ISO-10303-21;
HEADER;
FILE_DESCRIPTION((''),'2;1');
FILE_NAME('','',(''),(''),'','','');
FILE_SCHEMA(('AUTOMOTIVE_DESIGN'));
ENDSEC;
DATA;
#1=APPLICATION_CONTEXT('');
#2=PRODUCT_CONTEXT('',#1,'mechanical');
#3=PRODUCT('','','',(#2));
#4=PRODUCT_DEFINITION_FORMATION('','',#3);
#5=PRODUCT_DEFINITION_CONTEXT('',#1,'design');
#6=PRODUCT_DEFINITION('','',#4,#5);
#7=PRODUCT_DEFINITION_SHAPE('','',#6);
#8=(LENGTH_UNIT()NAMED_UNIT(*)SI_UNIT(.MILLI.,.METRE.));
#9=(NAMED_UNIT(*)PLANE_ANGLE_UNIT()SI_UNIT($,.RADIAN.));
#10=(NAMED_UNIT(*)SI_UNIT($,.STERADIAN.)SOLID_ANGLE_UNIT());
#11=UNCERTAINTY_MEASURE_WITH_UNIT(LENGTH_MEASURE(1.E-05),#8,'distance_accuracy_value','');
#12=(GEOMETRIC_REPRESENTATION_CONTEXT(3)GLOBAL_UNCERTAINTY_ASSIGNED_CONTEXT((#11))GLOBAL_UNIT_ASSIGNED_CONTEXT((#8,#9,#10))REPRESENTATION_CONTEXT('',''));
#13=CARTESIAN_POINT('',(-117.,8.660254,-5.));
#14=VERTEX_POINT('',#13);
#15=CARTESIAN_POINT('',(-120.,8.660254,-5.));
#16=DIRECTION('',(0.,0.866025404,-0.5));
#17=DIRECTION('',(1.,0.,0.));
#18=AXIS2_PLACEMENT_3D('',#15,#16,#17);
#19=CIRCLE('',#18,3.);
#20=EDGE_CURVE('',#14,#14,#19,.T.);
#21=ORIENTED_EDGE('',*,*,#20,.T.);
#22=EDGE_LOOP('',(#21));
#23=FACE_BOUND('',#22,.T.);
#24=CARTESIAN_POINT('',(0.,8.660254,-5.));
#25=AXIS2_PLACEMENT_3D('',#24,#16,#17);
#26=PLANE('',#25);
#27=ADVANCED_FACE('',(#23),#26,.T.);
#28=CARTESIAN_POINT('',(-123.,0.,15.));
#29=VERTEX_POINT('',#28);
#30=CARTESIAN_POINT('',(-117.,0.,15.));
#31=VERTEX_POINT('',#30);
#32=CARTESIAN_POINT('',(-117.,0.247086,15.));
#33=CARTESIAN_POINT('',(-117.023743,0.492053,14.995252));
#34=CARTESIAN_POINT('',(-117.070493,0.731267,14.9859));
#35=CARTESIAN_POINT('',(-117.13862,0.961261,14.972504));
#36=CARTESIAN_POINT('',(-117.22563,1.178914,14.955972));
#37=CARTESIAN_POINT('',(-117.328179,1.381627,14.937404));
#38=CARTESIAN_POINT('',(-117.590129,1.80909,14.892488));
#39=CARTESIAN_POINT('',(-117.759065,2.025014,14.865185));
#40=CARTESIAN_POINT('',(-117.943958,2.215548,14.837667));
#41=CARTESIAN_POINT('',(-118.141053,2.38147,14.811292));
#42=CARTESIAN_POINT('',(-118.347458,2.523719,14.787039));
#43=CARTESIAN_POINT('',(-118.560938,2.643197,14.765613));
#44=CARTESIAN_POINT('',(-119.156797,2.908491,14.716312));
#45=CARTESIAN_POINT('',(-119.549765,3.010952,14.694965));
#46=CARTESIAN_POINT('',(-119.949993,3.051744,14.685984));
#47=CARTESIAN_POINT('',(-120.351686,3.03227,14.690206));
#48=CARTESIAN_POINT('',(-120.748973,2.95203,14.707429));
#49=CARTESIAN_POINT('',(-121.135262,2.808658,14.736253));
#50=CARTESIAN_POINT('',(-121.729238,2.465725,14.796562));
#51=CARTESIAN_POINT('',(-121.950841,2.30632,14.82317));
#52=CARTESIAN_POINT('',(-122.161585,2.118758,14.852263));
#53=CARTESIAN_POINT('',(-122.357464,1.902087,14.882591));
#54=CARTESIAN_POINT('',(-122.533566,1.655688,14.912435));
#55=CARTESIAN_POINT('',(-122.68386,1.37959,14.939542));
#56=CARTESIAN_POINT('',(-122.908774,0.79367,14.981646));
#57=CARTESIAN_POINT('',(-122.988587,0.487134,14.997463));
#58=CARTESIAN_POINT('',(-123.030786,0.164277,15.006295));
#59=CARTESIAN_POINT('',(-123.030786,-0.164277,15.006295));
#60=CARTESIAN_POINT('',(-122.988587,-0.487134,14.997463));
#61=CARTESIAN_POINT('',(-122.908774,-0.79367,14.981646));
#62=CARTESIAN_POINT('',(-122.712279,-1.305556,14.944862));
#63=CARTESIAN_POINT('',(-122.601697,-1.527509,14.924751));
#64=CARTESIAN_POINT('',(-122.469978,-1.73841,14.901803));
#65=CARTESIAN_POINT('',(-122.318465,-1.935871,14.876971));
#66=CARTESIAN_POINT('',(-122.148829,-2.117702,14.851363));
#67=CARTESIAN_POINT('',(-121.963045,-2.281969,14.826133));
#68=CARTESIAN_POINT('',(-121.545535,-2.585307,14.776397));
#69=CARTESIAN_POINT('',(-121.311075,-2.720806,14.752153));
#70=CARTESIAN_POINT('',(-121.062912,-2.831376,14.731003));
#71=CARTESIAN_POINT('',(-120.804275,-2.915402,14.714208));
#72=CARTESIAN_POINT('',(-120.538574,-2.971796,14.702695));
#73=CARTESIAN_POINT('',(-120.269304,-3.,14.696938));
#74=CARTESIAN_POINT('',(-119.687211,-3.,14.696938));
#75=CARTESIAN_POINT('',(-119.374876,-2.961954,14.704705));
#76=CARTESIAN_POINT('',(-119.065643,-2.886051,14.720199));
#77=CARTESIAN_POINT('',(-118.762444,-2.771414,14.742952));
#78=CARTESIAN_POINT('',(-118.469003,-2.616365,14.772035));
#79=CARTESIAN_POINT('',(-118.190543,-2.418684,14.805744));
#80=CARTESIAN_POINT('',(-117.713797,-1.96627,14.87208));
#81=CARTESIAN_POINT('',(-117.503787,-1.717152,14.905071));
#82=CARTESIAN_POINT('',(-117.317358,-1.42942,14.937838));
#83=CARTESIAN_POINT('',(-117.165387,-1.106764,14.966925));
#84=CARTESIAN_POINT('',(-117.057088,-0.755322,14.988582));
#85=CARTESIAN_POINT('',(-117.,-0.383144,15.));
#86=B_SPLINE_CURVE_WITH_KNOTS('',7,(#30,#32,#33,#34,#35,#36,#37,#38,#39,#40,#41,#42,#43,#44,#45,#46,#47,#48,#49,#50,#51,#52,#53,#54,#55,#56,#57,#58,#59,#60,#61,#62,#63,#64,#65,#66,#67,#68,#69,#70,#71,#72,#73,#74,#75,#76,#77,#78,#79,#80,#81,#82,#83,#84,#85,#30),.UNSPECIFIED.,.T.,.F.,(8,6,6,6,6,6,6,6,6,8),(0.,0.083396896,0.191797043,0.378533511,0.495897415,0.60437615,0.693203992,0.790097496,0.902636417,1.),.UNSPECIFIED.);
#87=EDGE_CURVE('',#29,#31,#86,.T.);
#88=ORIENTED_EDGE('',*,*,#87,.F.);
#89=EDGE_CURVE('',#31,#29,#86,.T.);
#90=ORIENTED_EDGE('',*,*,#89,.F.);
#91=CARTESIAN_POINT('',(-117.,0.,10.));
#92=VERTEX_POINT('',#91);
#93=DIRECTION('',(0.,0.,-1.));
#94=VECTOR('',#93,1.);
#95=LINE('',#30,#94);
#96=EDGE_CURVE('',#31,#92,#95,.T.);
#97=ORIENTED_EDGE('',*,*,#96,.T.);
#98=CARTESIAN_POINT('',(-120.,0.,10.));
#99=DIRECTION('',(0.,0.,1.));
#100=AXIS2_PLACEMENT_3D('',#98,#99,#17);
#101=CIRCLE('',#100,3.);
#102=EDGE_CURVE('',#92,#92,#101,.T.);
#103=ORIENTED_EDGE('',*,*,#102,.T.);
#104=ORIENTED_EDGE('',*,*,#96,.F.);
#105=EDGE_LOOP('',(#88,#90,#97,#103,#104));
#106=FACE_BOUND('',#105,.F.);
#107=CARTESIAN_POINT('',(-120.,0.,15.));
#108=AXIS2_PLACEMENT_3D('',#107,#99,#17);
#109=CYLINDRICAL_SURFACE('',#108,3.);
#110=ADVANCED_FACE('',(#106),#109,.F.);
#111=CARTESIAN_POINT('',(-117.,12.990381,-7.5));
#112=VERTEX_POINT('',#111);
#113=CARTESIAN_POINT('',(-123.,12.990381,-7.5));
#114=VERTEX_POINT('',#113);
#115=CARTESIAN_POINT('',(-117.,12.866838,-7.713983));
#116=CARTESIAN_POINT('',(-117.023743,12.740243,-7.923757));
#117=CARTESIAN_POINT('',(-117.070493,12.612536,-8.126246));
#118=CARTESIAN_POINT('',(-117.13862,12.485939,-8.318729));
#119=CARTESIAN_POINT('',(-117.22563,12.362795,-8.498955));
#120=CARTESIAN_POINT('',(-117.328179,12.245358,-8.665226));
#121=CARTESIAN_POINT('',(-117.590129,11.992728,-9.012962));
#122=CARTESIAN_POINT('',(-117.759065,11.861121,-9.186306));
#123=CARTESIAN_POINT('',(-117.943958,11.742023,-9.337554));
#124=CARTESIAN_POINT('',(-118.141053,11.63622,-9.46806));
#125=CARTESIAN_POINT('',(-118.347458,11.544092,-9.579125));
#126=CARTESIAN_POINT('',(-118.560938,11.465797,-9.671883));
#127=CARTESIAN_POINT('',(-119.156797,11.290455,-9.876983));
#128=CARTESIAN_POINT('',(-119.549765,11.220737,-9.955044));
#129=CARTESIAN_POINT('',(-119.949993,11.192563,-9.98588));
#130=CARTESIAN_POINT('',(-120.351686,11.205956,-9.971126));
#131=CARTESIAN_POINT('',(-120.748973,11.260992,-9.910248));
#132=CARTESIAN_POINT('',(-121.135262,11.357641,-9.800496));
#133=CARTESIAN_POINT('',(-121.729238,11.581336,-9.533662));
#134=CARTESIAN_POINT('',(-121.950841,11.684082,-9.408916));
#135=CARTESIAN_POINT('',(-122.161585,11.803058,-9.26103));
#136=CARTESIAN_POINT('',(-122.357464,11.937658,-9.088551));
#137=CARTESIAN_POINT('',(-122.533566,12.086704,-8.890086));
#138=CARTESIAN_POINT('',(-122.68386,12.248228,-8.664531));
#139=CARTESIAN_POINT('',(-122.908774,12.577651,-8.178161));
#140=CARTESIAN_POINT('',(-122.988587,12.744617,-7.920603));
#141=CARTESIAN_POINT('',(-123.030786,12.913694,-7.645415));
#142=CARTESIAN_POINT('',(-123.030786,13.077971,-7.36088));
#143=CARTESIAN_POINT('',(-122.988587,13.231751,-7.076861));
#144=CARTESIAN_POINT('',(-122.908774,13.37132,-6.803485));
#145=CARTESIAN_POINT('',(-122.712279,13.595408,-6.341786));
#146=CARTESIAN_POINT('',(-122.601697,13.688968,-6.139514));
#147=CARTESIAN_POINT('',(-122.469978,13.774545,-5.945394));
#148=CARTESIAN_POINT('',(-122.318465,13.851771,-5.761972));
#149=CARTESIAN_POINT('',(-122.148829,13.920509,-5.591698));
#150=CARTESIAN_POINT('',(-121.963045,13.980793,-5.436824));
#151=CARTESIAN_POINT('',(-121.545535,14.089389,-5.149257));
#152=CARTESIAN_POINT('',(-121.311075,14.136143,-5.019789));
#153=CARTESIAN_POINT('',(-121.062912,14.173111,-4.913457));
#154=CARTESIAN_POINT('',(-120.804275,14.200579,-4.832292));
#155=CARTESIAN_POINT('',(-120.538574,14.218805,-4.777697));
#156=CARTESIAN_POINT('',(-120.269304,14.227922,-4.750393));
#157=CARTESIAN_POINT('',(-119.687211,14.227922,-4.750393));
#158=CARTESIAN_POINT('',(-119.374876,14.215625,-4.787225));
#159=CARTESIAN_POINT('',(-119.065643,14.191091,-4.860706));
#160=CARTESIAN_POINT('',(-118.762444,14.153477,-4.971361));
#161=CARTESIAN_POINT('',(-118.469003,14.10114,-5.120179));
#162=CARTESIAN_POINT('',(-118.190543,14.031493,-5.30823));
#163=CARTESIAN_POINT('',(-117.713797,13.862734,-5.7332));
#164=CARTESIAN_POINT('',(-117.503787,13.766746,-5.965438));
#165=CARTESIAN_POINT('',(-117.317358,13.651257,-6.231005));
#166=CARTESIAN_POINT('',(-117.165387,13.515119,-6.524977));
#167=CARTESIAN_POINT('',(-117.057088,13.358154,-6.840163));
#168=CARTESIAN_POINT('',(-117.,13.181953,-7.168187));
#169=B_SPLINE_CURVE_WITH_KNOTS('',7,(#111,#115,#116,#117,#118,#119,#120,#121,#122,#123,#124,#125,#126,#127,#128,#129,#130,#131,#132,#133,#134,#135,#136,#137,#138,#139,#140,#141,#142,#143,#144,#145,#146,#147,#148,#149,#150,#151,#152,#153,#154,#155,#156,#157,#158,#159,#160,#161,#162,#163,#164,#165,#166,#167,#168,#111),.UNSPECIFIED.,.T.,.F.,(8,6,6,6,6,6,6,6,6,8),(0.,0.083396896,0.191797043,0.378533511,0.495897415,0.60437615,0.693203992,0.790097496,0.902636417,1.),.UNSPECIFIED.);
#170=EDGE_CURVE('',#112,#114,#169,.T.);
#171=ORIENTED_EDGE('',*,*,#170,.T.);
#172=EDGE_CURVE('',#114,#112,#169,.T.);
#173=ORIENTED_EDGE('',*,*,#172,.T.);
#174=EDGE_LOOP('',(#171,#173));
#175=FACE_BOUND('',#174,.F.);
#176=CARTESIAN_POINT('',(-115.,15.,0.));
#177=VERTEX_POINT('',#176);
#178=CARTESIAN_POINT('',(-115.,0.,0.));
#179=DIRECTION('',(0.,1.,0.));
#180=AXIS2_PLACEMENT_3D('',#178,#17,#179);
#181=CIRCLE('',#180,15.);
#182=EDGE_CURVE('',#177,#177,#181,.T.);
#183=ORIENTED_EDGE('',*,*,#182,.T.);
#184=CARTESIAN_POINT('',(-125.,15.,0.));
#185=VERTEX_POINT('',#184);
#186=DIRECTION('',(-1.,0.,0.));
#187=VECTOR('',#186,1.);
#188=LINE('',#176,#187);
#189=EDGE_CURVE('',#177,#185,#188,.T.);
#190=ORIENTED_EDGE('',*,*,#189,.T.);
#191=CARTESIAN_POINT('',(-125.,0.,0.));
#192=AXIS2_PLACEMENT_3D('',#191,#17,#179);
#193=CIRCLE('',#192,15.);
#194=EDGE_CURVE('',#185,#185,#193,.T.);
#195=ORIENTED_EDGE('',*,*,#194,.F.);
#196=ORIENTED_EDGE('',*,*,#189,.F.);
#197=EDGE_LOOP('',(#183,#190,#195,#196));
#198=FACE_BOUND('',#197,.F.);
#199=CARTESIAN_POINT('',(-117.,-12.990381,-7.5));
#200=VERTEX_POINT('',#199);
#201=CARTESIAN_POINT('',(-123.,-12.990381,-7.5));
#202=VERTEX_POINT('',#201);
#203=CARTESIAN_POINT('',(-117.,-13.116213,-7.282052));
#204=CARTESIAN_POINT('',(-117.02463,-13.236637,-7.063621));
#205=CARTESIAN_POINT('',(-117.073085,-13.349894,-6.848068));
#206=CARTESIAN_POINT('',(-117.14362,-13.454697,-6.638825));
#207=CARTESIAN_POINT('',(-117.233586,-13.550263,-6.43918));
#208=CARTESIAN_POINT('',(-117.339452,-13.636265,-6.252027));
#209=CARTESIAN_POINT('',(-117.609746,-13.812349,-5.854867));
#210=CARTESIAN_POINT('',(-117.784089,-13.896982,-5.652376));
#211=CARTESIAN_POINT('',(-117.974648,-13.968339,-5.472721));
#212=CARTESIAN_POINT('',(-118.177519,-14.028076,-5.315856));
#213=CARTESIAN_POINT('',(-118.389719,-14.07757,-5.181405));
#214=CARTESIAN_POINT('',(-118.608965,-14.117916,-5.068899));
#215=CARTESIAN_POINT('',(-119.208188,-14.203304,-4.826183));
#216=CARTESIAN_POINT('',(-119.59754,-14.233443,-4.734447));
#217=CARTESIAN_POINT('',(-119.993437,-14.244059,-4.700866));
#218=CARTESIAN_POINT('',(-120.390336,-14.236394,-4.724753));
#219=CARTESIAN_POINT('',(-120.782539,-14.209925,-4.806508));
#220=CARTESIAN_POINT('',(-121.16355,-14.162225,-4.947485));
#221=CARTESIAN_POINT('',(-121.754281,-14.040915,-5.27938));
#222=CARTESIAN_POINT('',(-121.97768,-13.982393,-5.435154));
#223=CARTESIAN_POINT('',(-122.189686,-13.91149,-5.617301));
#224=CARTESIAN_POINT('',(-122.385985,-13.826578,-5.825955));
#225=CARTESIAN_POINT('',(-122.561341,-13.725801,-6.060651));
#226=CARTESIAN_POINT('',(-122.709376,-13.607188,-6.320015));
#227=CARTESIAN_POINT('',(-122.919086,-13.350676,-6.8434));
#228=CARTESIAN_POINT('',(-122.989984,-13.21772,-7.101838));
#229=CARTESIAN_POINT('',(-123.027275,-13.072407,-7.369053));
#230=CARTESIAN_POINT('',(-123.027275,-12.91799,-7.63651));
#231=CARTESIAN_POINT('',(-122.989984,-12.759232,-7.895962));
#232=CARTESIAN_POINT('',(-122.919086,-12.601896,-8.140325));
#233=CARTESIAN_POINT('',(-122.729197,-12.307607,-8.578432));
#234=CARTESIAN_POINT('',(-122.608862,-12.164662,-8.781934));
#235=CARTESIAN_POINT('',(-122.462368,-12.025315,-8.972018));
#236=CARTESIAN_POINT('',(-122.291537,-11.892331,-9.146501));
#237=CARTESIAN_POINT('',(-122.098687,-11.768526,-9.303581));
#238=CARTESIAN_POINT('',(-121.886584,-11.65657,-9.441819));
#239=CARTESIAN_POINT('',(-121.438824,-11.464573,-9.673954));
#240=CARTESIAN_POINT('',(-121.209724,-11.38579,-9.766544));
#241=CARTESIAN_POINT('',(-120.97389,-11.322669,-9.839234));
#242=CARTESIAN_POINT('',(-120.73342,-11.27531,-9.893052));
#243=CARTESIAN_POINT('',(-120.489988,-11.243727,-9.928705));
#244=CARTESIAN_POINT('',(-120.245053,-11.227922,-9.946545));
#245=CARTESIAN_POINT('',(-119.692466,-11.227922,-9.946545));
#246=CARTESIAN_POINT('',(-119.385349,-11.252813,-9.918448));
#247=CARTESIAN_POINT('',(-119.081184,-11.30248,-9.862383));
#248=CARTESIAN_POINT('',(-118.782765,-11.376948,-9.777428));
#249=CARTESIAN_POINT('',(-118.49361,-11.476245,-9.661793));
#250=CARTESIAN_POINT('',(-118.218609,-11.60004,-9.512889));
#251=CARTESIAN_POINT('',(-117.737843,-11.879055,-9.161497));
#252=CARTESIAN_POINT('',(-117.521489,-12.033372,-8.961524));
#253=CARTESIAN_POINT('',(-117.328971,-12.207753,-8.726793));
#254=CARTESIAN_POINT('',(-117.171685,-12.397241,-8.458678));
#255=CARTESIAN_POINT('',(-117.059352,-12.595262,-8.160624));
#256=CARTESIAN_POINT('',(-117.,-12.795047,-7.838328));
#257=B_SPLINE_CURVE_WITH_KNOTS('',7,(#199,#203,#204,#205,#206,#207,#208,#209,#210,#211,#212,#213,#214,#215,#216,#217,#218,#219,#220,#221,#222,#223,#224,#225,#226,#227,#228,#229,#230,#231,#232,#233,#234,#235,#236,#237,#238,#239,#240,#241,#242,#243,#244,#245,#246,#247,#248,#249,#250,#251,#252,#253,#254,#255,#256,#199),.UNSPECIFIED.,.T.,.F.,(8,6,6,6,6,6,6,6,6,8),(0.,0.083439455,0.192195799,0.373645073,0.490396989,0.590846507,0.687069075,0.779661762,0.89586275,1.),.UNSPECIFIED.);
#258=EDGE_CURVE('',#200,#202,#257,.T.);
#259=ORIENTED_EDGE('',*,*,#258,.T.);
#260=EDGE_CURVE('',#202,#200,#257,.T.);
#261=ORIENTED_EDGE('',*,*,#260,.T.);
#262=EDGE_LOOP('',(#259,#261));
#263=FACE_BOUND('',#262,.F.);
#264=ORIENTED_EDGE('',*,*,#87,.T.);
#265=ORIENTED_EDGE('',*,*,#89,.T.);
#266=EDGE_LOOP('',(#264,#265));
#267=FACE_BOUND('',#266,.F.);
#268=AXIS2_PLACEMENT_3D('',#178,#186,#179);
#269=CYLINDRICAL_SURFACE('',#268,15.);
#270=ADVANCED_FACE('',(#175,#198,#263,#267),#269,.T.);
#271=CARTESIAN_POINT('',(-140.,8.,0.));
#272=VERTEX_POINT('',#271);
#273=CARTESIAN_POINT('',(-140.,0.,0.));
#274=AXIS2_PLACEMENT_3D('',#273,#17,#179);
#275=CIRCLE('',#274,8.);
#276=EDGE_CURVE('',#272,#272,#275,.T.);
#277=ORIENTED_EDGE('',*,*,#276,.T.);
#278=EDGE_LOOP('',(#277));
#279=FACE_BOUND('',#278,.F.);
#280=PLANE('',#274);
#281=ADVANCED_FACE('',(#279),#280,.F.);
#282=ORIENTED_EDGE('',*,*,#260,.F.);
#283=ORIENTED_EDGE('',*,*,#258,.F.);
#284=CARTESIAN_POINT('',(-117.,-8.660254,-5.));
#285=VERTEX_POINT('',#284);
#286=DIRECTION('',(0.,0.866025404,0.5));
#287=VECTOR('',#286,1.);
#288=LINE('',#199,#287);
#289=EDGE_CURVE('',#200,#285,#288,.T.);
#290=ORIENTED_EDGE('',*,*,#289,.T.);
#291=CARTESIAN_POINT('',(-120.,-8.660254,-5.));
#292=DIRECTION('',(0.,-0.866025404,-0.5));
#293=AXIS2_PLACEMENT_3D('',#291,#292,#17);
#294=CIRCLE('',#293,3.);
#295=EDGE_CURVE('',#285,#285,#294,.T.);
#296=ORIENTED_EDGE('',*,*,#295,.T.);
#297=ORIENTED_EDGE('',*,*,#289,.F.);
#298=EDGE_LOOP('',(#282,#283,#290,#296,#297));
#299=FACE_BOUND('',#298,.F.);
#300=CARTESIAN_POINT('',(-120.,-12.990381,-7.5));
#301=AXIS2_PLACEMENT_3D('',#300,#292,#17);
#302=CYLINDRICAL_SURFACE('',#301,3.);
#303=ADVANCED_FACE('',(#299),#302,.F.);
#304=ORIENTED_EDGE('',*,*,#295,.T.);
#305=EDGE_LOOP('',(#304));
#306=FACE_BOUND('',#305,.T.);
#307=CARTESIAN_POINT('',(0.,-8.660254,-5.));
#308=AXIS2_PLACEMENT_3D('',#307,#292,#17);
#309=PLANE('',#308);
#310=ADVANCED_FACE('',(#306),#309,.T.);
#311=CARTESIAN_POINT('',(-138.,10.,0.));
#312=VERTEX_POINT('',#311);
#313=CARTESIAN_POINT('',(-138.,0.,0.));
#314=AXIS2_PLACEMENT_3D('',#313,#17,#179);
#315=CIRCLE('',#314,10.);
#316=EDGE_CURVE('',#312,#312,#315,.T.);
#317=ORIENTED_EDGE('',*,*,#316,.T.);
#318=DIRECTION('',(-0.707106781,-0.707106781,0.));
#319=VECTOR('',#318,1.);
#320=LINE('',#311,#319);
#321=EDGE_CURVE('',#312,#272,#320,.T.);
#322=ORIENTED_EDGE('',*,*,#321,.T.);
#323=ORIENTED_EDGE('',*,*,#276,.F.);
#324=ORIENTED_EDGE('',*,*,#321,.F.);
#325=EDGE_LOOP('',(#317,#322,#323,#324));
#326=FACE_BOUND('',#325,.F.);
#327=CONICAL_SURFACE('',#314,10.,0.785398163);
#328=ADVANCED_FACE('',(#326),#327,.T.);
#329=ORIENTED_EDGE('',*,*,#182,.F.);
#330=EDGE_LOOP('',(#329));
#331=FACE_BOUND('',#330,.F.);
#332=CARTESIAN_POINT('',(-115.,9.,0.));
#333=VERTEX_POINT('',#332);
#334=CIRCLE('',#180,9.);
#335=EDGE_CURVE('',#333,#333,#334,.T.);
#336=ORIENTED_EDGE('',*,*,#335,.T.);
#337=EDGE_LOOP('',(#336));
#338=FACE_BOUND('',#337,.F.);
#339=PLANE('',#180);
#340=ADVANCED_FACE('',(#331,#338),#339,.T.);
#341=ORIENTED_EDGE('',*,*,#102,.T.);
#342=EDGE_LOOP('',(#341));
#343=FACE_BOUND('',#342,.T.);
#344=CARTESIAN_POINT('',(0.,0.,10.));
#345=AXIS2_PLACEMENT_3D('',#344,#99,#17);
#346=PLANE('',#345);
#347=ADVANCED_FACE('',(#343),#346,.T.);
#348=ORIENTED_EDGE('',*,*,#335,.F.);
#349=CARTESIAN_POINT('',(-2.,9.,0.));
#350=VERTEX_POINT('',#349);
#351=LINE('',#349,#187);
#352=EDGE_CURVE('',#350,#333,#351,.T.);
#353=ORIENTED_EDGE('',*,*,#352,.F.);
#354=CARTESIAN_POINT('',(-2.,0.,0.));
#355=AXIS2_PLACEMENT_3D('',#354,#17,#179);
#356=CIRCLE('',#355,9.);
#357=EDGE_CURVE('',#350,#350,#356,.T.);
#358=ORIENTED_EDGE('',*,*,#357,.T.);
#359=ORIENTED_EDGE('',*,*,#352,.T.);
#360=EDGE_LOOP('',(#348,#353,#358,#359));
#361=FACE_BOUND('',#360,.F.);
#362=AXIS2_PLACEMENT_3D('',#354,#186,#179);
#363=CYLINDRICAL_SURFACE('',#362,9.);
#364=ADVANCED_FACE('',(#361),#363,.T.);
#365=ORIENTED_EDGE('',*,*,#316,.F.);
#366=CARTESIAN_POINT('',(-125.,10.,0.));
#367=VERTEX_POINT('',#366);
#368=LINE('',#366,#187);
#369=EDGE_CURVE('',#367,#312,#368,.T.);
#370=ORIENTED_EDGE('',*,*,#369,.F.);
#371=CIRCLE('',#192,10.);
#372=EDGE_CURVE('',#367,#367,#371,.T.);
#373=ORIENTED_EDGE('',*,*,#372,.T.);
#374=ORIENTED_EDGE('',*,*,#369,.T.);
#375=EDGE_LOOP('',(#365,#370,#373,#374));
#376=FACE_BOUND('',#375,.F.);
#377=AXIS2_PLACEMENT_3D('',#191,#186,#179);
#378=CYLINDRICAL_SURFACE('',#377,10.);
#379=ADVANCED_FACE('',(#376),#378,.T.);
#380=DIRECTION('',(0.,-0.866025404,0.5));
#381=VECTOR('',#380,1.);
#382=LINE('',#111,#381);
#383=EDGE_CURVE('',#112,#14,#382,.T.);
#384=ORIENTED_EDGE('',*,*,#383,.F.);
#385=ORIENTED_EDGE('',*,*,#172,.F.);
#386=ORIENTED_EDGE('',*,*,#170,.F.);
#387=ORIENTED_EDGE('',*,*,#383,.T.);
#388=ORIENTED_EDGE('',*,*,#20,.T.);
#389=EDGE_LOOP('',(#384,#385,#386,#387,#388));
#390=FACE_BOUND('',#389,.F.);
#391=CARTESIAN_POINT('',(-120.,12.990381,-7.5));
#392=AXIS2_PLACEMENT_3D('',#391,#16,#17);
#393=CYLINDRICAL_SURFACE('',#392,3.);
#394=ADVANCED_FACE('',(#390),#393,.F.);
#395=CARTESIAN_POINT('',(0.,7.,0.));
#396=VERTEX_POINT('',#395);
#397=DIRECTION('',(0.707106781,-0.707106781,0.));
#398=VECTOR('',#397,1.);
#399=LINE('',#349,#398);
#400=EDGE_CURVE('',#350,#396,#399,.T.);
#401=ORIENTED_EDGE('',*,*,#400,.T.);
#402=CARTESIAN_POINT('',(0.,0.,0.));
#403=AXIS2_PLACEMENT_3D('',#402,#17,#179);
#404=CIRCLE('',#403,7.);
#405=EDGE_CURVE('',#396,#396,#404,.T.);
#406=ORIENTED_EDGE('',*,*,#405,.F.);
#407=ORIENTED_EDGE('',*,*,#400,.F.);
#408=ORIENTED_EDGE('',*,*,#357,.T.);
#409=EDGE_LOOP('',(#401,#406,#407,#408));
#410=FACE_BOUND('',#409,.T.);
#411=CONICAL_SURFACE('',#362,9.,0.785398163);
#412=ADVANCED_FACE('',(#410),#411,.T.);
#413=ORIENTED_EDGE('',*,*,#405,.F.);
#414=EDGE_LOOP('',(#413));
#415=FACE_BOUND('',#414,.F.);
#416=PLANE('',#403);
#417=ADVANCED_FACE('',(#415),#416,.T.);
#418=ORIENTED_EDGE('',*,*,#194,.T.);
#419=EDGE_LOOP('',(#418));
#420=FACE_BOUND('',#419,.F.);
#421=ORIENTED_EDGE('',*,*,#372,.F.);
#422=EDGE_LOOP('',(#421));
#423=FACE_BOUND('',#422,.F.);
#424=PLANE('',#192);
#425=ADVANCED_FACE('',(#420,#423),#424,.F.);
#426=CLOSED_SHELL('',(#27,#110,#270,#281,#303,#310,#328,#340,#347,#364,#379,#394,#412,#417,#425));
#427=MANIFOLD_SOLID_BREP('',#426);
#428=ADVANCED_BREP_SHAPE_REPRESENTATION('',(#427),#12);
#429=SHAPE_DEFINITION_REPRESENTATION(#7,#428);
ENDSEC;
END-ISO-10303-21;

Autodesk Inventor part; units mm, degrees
ref_plane "YZ Plane" through (0, 0, 0) normal (1, 0, 0) x (0, 1, 0)
ref_plane "XZ Plane" through (0, 0, 0) normal (0, 1, 0) x (-1, 0, 0)
sketch "Sketch1" plane through (0, 0, 0) normal (0, 0, 1) x (1, 0, 0)
  line L0 (0, 0) -> (-140, 0)
  line L1 (0, 0) -> (0, 7)
  line L2 (-2, 9) -> (-115, 9)
  line L3 (-115, 9) -> (-115, 15)
  line L4 (-115, 15) -> (-125, 15)
  line L5 (-125, 15) -> (-125, 10)
  line L6 (-125, 10) -> (-138, 10)
  line L7 (-140, 8) -> (-140, 0)
  line L8 (-138, 10) -> (-140, 8)
  line L9 (-2, 9) -> (0, 7)
  line L10 (-267.7899, 0) -> (-197.3543, 0) construction
  point P0 (0, 9)
  point P1 (-140, 10)
  point P2 (-120, 15)
  dimension "d1" = 140
  dimension "d2" = 15
  dimension "d3" = 10
  dimension "d4" = 15
  dimension "d5" = 9
  dimension "d6" = 10
  dimension "d7" = 2
  dimension "d8" = 2
  dimension "d9" = 2
  dimension "d10" = 2
revolve "Revolution1" add sketch "Sketch1" angle 360 about axis through (-267.7899, 0, 0) along (1, 0, 0)
ref_plane "Work Plane1" through (0, 0, 15) normal (0, 0, 1) x (1, 0, 0)
sketch "Sketch2" plane through (0, 0, 15) normal (0, 0, 1) x (1, 0, 0)
  circle A0 centre (-120, 0) radius 3
  line L0 (-115, -15) -> (-115, 15) projected
  point P0 (0, 0)
  dimension "d13" = 6
  dimension "d14" = 5
extrude "Extrusion1" cut sketch "Sketch2" against normal blind 5
pattern_circular "Circular Pattern1" count 3 over 360 about axis through (-58.5, 0, 0) along (1, 0, 0) of "Extrusion1"
equation "\"d8\" = d7"
equation "\"d10\" = d9"
properties part number "Coluna do Ferramental"
